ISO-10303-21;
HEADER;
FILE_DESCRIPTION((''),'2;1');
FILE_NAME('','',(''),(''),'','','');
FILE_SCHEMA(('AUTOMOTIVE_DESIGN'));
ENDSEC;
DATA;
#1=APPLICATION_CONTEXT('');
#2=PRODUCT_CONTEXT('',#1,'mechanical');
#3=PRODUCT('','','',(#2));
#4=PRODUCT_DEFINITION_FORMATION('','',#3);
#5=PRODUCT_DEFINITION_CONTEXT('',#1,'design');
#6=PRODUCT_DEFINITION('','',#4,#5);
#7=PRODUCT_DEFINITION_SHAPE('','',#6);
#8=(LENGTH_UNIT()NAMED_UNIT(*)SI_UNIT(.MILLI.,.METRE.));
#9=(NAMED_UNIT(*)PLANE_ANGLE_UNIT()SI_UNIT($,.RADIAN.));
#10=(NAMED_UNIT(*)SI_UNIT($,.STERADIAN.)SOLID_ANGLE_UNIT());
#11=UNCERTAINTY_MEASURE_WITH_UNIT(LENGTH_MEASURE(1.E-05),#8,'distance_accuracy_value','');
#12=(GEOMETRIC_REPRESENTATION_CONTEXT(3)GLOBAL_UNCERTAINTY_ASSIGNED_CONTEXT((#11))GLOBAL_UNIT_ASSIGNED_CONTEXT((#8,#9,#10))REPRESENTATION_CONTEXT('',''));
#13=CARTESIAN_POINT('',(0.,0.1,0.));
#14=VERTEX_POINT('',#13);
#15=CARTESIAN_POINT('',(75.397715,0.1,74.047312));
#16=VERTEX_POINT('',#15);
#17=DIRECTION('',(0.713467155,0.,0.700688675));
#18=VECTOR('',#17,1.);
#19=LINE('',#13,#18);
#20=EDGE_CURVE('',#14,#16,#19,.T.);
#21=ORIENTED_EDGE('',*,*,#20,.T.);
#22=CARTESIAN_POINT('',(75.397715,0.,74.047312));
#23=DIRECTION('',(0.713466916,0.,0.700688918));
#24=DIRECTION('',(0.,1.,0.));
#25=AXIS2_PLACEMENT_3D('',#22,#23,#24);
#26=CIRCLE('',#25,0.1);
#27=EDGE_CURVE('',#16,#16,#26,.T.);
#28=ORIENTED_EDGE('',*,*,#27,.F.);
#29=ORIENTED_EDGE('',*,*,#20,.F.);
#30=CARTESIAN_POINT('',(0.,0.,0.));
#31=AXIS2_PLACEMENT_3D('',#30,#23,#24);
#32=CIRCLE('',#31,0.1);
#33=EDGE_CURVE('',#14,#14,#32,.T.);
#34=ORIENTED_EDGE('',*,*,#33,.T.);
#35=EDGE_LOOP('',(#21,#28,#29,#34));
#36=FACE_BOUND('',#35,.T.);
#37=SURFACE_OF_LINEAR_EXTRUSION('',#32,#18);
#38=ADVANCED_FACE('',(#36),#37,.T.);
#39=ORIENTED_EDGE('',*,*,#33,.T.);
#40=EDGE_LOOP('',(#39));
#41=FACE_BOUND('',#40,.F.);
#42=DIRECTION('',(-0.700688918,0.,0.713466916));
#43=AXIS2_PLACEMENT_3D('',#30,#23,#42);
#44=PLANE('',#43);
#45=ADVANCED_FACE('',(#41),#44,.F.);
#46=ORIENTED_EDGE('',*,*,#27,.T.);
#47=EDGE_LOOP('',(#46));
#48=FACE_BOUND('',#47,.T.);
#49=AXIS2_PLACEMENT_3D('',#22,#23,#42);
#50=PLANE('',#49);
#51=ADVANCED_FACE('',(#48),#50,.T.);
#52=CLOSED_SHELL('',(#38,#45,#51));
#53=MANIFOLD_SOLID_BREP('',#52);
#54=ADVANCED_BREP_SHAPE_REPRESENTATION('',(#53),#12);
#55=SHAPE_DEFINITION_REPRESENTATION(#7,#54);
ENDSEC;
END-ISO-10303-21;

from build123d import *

# Parameters (mm, degrees)
F2_R = 0.1


with BuildPart() as f3:
    # F3: sweep along a path in F0
    with BuildLine(Plane.XZ) as f3_path:
        Line((0, 0), (75.397715, 74.047312))
    # F2 (on face) → F3 (sweep)
    with BuildSketch(Plane(origin=(75.397715, 0, 74.047312), x_dir=(0, 1, 0), z_dir=(0.713467, 0, 0.700689))):
        Circle(F2_R)
    sweep(path=f3_path.line)


solid = f3.part
